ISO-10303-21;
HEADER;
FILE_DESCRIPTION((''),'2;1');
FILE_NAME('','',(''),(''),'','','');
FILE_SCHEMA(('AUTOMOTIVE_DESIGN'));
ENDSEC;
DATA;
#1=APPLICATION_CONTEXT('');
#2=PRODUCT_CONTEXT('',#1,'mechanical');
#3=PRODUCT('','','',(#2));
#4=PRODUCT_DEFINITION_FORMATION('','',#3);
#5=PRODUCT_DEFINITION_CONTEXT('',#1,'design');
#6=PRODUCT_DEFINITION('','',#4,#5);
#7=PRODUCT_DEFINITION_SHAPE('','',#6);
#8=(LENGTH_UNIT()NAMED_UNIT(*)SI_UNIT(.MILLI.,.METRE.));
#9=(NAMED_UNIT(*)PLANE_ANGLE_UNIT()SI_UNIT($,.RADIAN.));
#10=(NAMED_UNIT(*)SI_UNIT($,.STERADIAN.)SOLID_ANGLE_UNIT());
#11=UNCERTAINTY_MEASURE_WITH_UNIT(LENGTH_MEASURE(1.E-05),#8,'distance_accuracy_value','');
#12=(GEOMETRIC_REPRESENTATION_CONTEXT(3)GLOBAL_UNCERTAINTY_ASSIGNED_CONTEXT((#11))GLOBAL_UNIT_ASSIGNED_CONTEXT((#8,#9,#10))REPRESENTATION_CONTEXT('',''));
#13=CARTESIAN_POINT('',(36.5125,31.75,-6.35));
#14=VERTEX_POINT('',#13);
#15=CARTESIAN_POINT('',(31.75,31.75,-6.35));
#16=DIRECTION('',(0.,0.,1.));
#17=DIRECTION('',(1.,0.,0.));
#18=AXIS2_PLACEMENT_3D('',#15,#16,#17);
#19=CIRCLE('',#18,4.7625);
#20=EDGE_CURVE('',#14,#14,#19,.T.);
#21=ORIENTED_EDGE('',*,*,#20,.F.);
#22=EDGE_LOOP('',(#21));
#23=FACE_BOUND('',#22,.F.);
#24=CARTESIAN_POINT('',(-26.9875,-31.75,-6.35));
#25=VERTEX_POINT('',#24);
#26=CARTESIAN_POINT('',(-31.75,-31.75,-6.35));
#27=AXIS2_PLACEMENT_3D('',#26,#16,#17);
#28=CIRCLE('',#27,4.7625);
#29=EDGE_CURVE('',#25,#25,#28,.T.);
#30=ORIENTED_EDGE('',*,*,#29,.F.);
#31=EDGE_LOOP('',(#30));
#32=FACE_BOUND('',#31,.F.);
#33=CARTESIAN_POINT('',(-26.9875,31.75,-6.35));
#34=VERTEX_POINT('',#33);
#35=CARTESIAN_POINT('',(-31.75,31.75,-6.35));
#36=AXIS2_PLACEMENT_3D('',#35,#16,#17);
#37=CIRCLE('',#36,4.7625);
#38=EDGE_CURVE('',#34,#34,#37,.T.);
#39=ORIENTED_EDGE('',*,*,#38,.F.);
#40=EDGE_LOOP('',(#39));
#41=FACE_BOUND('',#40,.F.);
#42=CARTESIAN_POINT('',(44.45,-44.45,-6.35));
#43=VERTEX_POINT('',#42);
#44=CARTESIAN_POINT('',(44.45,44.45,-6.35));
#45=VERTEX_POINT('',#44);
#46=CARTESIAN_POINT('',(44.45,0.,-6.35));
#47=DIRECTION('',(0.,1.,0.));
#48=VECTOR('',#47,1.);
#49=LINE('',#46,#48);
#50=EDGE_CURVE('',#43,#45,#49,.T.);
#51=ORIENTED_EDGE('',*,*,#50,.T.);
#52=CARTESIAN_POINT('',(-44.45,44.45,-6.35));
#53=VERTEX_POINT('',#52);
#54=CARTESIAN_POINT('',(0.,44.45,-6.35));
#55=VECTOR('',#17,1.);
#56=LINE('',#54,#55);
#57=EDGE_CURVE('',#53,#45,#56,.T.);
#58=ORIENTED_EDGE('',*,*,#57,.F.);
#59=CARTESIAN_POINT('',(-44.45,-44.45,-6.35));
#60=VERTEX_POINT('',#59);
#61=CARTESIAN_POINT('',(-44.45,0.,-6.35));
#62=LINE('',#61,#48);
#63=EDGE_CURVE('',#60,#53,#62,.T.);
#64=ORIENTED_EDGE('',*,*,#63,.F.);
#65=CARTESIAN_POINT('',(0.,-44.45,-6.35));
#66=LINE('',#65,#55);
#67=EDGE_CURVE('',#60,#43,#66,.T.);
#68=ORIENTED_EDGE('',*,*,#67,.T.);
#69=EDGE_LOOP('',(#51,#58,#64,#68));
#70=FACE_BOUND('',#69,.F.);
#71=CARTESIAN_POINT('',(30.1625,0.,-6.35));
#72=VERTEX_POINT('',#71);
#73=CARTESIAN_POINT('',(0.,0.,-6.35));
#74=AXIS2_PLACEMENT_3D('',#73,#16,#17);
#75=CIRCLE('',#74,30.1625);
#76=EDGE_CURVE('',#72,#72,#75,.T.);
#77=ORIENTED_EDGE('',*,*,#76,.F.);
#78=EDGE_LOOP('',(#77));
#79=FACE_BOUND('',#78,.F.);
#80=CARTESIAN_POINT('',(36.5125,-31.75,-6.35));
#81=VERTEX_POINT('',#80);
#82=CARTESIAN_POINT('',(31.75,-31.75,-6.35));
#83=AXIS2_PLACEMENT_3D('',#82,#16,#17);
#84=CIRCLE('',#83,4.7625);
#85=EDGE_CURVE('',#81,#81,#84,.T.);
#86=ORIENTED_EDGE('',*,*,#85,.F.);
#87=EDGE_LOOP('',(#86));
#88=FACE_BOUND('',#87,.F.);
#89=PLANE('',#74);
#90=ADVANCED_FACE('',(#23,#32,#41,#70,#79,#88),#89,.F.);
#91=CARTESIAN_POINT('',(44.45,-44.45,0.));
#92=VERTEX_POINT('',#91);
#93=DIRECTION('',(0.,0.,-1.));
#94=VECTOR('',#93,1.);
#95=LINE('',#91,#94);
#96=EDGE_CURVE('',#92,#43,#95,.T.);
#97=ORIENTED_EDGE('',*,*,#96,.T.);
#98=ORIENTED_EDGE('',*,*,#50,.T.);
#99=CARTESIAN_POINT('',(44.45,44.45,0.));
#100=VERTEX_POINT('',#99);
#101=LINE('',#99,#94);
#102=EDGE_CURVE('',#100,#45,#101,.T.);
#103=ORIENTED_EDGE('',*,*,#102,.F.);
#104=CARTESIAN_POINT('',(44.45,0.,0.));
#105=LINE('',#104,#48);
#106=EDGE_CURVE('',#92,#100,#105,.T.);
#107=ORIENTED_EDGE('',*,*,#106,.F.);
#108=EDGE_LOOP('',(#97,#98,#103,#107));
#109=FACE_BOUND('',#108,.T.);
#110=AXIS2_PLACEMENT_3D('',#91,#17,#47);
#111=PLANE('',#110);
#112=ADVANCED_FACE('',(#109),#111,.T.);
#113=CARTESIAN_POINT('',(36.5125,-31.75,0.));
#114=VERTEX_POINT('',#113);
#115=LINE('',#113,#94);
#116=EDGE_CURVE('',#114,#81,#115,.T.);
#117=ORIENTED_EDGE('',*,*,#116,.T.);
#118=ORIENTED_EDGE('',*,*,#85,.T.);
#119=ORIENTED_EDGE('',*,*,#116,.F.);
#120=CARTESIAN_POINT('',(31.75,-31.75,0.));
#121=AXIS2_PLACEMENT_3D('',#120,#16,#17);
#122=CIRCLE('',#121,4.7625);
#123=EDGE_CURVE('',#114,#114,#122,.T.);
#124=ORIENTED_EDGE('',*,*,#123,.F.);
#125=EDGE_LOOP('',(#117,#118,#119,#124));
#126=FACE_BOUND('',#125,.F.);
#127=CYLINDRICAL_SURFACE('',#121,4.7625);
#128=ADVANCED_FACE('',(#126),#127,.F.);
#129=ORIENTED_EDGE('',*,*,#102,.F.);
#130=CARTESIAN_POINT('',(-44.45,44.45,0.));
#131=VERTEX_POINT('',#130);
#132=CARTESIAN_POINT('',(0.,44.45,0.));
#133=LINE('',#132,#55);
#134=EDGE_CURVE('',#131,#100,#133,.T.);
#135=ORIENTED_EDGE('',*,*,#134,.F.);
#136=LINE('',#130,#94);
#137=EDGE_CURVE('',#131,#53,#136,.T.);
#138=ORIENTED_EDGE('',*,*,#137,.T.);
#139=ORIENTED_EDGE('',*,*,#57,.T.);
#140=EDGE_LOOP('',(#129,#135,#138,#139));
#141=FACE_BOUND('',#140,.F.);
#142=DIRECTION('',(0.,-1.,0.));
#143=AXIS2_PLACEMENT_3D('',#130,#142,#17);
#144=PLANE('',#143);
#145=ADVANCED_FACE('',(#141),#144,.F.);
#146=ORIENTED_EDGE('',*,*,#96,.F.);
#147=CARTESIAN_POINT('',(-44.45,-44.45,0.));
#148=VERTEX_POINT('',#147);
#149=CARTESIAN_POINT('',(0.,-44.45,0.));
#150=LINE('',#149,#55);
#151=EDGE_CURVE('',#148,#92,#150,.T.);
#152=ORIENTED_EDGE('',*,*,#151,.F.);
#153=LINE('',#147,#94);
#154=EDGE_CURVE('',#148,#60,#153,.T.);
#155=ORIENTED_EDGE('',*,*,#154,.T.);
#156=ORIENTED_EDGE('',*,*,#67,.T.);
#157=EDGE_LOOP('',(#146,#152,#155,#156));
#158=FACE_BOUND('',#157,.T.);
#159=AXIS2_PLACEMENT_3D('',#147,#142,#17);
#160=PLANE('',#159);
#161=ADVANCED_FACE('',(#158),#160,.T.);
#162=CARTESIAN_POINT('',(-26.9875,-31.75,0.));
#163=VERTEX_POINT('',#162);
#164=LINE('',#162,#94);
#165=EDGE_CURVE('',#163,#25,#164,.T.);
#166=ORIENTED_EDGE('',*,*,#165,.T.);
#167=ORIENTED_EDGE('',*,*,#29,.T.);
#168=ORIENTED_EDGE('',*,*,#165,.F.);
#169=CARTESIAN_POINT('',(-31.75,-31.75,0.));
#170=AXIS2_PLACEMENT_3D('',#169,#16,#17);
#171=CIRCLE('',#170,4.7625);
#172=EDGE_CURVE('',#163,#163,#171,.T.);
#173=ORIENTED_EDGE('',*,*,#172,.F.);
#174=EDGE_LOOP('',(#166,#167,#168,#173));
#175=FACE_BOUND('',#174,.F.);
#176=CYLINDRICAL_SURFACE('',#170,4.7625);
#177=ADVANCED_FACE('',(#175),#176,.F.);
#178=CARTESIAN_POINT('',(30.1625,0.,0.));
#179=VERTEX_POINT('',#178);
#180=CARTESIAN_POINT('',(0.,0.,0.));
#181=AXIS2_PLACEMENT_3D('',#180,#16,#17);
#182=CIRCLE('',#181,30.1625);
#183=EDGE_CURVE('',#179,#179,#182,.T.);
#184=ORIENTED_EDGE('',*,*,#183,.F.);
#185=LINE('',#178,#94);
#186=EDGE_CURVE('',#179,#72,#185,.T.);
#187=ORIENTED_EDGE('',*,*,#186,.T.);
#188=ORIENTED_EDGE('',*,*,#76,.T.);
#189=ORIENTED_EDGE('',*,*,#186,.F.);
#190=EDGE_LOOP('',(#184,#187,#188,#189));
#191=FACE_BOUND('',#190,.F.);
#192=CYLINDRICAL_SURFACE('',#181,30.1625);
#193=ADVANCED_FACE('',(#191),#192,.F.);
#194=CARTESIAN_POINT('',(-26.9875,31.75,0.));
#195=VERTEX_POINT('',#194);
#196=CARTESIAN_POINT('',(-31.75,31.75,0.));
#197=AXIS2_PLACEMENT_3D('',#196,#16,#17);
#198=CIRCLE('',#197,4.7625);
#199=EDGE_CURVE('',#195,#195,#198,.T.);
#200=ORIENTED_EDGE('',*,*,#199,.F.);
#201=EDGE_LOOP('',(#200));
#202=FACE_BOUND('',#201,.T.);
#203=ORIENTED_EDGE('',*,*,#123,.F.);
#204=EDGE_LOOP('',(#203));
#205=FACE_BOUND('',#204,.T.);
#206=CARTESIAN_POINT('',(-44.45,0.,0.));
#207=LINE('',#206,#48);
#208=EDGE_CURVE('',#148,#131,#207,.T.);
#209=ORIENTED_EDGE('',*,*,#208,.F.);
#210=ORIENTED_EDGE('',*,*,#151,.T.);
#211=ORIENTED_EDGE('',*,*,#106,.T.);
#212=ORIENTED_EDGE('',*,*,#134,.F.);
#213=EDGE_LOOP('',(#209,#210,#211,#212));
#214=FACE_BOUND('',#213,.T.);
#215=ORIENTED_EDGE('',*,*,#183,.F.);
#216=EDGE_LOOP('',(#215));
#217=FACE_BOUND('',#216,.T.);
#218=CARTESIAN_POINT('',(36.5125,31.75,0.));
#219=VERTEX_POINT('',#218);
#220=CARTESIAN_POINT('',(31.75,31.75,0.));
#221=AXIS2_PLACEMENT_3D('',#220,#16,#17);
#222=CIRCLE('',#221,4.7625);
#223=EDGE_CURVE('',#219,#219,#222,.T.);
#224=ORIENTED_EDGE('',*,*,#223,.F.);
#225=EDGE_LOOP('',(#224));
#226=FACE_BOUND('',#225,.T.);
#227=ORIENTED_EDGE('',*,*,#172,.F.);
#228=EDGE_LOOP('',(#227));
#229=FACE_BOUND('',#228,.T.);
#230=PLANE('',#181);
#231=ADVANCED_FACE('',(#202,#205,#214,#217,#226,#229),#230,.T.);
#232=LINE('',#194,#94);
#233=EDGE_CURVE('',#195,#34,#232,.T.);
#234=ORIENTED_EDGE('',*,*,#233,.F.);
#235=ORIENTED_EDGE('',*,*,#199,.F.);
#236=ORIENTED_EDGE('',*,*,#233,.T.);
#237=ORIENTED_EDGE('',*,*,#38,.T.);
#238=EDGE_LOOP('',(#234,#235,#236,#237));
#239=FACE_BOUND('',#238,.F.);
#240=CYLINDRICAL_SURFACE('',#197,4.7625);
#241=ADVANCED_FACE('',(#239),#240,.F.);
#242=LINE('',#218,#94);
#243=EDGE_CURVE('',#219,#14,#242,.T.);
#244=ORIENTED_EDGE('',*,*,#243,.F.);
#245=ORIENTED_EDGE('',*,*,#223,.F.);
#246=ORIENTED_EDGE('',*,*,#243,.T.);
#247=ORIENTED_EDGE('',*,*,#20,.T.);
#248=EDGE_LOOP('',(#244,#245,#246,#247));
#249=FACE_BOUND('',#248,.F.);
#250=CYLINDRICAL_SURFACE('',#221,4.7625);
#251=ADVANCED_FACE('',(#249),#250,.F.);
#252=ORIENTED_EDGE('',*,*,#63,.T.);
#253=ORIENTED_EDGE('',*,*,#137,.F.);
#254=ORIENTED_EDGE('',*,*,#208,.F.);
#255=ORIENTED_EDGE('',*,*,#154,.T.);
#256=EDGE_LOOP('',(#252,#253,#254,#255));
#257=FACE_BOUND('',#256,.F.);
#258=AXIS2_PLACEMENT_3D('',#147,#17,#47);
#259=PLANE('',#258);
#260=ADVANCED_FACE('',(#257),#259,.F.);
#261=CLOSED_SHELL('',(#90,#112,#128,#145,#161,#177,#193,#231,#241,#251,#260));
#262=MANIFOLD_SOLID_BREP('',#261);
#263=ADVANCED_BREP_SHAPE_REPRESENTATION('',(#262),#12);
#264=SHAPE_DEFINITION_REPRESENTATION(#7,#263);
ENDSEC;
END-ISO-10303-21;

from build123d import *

# Parameters (mm, degrees)
F0_W     = 88.9
F0_H     = 88.9
F0_R     = 4.7625
F0_R_2   = 30.1625
F1_DEPTH = 6.35


with BuildPart() as f1:
    # F0 (on Top) → F1 (new body)
    with BuildSketch(Plane.XY):
        Rectangle(F0_W, F0_H)
        with Locations((-31.75, -31.75)):
            Circle(F0_R, mode=Mode.SUBTRACT)
        with Locations((31.75, -31.75)):
            Circle(F0_R, mode=Mode.SUBTRACT)
        with Locations((-31.75, 31.75)):
            Circle(F0_R, mode=Mode.SUBTRACT)
        Circle(F0_R_2, mode=Mode.SUBTRACT)
        with Locations((31.75, 31.75)):
            Circle(F0_R, mode=Mode.SUBTRACT)
    extrude(amount=-F1_DEPTH)


solid = f1.part
